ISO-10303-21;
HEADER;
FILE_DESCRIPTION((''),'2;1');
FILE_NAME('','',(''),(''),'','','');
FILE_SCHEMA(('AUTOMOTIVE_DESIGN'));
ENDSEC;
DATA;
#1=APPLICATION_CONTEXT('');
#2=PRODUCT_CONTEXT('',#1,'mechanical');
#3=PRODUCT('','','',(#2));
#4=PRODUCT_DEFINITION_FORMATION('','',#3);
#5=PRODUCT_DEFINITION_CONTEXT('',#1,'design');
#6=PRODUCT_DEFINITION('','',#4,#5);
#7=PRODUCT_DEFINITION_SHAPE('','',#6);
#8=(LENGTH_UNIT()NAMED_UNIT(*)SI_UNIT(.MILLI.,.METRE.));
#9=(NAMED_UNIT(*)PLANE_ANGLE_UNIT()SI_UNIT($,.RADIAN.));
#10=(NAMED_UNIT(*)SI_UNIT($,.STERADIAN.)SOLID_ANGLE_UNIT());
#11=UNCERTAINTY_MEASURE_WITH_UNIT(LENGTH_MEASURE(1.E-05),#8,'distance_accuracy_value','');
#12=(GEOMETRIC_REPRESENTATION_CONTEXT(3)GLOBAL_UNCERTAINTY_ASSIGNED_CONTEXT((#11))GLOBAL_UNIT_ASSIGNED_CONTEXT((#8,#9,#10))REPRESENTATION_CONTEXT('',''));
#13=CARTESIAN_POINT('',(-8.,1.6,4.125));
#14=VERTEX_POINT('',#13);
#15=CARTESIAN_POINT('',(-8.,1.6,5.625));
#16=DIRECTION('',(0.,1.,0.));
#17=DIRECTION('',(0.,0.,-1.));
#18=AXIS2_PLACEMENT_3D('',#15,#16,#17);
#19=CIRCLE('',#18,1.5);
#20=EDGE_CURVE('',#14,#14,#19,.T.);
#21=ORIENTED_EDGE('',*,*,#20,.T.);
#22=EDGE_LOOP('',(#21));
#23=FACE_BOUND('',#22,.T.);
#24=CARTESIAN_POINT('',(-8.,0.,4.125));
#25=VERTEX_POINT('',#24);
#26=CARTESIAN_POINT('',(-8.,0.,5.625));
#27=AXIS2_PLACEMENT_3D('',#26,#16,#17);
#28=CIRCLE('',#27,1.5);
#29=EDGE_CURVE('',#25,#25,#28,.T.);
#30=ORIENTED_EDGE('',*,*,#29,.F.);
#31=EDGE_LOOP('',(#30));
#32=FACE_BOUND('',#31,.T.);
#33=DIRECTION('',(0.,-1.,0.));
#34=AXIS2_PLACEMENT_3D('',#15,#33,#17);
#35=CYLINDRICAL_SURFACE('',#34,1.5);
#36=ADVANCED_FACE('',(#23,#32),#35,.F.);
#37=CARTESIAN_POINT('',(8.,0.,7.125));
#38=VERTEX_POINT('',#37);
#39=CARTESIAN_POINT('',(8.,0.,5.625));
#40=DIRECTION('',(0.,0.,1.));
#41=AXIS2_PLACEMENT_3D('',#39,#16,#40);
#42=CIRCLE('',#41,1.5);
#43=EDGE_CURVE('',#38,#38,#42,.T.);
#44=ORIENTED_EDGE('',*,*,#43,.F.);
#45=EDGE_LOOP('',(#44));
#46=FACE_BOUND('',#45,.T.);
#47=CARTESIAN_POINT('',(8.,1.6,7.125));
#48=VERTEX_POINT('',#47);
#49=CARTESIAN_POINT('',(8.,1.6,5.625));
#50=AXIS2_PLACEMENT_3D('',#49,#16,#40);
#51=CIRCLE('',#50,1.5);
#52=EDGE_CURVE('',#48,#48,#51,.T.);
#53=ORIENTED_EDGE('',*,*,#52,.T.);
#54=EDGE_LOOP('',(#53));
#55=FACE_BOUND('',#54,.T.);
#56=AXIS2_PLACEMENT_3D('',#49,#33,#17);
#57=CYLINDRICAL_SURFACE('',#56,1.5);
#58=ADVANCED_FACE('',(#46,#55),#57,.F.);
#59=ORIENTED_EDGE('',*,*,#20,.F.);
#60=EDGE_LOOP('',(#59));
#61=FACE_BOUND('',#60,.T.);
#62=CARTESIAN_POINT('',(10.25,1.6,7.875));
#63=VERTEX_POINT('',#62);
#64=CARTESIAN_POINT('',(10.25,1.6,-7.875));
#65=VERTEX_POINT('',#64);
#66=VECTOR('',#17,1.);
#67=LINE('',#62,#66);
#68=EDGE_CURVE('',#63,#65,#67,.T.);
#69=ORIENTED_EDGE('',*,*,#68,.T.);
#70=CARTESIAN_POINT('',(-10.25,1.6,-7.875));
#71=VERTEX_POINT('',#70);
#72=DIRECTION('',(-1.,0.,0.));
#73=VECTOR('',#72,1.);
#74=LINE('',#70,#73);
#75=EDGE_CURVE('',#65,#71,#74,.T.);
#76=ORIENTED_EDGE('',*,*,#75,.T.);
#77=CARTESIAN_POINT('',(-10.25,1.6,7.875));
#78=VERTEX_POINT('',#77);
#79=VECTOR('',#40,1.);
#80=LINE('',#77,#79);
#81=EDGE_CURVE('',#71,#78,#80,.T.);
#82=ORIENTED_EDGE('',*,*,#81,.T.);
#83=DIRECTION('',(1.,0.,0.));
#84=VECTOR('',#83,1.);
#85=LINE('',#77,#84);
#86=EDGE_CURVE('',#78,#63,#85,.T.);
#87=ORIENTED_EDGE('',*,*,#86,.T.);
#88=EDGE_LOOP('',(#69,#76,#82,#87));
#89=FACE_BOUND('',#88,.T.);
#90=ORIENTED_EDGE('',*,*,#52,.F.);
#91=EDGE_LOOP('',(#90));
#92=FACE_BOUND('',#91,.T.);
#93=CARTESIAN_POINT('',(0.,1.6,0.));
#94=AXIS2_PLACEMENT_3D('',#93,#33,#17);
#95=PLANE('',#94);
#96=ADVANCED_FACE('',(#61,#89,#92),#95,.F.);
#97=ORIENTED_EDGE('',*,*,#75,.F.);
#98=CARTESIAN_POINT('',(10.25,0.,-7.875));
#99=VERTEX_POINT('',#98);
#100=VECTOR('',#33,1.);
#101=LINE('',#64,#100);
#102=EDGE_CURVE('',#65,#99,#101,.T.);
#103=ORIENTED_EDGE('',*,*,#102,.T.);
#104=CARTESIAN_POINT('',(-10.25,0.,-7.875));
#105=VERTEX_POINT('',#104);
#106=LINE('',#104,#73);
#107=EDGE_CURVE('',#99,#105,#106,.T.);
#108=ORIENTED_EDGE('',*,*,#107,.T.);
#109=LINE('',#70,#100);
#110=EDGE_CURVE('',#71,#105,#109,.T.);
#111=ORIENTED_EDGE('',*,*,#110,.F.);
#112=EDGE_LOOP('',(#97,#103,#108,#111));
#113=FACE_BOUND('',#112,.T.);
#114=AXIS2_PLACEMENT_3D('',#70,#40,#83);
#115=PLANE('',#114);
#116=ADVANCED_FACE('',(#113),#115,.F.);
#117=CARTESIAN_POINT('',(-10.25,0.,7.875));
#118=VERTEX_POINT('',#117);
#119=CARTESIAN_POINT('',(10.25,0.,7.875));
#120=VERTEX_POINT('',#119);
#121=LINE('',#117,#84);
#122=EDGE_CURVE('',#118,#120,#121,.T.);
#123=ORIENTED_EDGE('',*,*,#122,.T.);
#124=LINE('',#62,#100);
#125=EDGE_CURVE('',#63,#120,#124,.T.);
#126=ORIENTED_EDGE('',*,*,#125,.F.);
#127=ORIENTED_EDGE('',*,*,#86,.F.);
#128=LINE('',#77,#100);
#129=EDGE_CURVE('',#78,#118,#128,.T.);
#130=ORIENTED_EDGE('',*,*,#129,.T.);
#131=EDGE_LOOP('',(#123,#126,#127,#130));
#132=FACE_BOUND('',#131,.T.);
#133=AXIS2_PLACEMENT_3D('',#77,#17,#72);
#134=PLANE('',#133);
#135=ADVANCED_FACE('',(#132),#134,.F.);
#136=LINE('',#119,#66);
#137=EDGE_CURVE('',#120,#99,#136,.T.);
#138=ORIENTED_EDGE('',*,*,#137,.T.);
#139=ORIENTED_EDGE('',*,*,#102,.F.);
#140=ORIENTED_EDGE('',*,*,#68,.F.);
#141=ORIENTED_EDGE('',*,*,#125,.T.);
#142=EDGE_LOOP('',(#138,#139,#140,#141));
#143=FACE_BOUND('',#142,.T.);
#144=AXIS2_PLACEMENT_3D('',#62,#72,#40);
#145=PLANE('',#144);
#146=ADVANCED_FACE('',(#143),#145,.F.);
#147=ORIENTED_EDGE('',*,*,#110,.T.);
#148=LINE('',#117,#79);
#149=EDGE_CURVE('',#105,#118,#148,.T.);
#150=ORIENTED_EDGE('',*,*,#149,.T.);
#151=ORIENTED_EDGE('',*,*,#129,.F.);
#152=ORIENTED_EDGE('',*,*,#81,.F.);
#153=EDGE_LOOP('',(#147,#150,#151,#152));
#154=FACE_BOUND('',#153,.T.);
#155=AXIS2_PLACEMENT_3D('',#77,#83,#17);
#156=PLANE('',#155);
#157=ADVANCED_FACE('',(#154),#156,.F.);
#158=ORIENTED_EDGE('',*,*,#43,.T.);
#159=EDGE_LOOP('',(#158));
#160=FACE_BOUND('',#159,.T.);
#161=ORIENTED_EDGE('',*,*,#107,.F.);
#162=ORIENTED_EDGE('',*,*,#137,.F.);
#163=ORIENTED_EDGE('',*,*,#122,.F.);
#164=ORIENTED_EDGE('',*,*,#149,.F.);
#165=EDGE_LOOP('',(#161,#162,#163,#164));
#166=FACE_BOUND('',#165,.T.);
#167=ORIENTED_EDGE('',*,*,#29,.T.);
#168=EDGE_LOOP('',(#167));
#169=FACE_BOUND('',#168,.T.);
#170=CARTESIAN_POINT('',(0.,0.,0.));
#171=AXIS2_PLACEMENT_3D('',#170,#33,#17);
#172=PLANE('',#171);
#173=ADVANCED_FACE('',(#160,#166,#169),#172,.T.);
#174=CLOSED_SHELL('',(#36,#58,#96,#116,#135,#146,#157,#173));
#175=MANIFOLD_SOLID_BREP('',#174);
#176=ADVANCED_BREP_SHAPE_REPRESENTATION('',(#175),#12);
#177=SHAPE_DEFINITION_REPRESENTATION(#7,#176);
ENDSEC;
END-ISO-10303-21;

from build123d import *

# Parameters (mm, degrees)
SKETCH1_W           = 20.5
SKETCH1_H           = 15.75
SKETCH1_R           = 1.5
BOSS_EXTRUDE1_DEPTH = 1.6


with BuildPart() as part:
    # Sketch1 → Boss-Extrude1 (new body)
    with BuildSketch(Plane(origin=(0, 0, 0), x_dir=(1, 0, 0), z_dir=(0, 1, 0))):
        Rectangle(SKETCH1_W, SKETCH1_H)
        with Locations(Location((8, -5.625, 0), (0, 0, 270))):
            Circle(SKETCH1_R, mode=Mode.SUBTRACT)
        with Locations(Location((-8, -5.625, 0), (0, 0, 90))):
            Circle(SKETCH1_R, mode=Mode.SUBTRACT)
    extrude(amount=BOSS_EXTRUDE1_DEPTH)


solid = part.part
